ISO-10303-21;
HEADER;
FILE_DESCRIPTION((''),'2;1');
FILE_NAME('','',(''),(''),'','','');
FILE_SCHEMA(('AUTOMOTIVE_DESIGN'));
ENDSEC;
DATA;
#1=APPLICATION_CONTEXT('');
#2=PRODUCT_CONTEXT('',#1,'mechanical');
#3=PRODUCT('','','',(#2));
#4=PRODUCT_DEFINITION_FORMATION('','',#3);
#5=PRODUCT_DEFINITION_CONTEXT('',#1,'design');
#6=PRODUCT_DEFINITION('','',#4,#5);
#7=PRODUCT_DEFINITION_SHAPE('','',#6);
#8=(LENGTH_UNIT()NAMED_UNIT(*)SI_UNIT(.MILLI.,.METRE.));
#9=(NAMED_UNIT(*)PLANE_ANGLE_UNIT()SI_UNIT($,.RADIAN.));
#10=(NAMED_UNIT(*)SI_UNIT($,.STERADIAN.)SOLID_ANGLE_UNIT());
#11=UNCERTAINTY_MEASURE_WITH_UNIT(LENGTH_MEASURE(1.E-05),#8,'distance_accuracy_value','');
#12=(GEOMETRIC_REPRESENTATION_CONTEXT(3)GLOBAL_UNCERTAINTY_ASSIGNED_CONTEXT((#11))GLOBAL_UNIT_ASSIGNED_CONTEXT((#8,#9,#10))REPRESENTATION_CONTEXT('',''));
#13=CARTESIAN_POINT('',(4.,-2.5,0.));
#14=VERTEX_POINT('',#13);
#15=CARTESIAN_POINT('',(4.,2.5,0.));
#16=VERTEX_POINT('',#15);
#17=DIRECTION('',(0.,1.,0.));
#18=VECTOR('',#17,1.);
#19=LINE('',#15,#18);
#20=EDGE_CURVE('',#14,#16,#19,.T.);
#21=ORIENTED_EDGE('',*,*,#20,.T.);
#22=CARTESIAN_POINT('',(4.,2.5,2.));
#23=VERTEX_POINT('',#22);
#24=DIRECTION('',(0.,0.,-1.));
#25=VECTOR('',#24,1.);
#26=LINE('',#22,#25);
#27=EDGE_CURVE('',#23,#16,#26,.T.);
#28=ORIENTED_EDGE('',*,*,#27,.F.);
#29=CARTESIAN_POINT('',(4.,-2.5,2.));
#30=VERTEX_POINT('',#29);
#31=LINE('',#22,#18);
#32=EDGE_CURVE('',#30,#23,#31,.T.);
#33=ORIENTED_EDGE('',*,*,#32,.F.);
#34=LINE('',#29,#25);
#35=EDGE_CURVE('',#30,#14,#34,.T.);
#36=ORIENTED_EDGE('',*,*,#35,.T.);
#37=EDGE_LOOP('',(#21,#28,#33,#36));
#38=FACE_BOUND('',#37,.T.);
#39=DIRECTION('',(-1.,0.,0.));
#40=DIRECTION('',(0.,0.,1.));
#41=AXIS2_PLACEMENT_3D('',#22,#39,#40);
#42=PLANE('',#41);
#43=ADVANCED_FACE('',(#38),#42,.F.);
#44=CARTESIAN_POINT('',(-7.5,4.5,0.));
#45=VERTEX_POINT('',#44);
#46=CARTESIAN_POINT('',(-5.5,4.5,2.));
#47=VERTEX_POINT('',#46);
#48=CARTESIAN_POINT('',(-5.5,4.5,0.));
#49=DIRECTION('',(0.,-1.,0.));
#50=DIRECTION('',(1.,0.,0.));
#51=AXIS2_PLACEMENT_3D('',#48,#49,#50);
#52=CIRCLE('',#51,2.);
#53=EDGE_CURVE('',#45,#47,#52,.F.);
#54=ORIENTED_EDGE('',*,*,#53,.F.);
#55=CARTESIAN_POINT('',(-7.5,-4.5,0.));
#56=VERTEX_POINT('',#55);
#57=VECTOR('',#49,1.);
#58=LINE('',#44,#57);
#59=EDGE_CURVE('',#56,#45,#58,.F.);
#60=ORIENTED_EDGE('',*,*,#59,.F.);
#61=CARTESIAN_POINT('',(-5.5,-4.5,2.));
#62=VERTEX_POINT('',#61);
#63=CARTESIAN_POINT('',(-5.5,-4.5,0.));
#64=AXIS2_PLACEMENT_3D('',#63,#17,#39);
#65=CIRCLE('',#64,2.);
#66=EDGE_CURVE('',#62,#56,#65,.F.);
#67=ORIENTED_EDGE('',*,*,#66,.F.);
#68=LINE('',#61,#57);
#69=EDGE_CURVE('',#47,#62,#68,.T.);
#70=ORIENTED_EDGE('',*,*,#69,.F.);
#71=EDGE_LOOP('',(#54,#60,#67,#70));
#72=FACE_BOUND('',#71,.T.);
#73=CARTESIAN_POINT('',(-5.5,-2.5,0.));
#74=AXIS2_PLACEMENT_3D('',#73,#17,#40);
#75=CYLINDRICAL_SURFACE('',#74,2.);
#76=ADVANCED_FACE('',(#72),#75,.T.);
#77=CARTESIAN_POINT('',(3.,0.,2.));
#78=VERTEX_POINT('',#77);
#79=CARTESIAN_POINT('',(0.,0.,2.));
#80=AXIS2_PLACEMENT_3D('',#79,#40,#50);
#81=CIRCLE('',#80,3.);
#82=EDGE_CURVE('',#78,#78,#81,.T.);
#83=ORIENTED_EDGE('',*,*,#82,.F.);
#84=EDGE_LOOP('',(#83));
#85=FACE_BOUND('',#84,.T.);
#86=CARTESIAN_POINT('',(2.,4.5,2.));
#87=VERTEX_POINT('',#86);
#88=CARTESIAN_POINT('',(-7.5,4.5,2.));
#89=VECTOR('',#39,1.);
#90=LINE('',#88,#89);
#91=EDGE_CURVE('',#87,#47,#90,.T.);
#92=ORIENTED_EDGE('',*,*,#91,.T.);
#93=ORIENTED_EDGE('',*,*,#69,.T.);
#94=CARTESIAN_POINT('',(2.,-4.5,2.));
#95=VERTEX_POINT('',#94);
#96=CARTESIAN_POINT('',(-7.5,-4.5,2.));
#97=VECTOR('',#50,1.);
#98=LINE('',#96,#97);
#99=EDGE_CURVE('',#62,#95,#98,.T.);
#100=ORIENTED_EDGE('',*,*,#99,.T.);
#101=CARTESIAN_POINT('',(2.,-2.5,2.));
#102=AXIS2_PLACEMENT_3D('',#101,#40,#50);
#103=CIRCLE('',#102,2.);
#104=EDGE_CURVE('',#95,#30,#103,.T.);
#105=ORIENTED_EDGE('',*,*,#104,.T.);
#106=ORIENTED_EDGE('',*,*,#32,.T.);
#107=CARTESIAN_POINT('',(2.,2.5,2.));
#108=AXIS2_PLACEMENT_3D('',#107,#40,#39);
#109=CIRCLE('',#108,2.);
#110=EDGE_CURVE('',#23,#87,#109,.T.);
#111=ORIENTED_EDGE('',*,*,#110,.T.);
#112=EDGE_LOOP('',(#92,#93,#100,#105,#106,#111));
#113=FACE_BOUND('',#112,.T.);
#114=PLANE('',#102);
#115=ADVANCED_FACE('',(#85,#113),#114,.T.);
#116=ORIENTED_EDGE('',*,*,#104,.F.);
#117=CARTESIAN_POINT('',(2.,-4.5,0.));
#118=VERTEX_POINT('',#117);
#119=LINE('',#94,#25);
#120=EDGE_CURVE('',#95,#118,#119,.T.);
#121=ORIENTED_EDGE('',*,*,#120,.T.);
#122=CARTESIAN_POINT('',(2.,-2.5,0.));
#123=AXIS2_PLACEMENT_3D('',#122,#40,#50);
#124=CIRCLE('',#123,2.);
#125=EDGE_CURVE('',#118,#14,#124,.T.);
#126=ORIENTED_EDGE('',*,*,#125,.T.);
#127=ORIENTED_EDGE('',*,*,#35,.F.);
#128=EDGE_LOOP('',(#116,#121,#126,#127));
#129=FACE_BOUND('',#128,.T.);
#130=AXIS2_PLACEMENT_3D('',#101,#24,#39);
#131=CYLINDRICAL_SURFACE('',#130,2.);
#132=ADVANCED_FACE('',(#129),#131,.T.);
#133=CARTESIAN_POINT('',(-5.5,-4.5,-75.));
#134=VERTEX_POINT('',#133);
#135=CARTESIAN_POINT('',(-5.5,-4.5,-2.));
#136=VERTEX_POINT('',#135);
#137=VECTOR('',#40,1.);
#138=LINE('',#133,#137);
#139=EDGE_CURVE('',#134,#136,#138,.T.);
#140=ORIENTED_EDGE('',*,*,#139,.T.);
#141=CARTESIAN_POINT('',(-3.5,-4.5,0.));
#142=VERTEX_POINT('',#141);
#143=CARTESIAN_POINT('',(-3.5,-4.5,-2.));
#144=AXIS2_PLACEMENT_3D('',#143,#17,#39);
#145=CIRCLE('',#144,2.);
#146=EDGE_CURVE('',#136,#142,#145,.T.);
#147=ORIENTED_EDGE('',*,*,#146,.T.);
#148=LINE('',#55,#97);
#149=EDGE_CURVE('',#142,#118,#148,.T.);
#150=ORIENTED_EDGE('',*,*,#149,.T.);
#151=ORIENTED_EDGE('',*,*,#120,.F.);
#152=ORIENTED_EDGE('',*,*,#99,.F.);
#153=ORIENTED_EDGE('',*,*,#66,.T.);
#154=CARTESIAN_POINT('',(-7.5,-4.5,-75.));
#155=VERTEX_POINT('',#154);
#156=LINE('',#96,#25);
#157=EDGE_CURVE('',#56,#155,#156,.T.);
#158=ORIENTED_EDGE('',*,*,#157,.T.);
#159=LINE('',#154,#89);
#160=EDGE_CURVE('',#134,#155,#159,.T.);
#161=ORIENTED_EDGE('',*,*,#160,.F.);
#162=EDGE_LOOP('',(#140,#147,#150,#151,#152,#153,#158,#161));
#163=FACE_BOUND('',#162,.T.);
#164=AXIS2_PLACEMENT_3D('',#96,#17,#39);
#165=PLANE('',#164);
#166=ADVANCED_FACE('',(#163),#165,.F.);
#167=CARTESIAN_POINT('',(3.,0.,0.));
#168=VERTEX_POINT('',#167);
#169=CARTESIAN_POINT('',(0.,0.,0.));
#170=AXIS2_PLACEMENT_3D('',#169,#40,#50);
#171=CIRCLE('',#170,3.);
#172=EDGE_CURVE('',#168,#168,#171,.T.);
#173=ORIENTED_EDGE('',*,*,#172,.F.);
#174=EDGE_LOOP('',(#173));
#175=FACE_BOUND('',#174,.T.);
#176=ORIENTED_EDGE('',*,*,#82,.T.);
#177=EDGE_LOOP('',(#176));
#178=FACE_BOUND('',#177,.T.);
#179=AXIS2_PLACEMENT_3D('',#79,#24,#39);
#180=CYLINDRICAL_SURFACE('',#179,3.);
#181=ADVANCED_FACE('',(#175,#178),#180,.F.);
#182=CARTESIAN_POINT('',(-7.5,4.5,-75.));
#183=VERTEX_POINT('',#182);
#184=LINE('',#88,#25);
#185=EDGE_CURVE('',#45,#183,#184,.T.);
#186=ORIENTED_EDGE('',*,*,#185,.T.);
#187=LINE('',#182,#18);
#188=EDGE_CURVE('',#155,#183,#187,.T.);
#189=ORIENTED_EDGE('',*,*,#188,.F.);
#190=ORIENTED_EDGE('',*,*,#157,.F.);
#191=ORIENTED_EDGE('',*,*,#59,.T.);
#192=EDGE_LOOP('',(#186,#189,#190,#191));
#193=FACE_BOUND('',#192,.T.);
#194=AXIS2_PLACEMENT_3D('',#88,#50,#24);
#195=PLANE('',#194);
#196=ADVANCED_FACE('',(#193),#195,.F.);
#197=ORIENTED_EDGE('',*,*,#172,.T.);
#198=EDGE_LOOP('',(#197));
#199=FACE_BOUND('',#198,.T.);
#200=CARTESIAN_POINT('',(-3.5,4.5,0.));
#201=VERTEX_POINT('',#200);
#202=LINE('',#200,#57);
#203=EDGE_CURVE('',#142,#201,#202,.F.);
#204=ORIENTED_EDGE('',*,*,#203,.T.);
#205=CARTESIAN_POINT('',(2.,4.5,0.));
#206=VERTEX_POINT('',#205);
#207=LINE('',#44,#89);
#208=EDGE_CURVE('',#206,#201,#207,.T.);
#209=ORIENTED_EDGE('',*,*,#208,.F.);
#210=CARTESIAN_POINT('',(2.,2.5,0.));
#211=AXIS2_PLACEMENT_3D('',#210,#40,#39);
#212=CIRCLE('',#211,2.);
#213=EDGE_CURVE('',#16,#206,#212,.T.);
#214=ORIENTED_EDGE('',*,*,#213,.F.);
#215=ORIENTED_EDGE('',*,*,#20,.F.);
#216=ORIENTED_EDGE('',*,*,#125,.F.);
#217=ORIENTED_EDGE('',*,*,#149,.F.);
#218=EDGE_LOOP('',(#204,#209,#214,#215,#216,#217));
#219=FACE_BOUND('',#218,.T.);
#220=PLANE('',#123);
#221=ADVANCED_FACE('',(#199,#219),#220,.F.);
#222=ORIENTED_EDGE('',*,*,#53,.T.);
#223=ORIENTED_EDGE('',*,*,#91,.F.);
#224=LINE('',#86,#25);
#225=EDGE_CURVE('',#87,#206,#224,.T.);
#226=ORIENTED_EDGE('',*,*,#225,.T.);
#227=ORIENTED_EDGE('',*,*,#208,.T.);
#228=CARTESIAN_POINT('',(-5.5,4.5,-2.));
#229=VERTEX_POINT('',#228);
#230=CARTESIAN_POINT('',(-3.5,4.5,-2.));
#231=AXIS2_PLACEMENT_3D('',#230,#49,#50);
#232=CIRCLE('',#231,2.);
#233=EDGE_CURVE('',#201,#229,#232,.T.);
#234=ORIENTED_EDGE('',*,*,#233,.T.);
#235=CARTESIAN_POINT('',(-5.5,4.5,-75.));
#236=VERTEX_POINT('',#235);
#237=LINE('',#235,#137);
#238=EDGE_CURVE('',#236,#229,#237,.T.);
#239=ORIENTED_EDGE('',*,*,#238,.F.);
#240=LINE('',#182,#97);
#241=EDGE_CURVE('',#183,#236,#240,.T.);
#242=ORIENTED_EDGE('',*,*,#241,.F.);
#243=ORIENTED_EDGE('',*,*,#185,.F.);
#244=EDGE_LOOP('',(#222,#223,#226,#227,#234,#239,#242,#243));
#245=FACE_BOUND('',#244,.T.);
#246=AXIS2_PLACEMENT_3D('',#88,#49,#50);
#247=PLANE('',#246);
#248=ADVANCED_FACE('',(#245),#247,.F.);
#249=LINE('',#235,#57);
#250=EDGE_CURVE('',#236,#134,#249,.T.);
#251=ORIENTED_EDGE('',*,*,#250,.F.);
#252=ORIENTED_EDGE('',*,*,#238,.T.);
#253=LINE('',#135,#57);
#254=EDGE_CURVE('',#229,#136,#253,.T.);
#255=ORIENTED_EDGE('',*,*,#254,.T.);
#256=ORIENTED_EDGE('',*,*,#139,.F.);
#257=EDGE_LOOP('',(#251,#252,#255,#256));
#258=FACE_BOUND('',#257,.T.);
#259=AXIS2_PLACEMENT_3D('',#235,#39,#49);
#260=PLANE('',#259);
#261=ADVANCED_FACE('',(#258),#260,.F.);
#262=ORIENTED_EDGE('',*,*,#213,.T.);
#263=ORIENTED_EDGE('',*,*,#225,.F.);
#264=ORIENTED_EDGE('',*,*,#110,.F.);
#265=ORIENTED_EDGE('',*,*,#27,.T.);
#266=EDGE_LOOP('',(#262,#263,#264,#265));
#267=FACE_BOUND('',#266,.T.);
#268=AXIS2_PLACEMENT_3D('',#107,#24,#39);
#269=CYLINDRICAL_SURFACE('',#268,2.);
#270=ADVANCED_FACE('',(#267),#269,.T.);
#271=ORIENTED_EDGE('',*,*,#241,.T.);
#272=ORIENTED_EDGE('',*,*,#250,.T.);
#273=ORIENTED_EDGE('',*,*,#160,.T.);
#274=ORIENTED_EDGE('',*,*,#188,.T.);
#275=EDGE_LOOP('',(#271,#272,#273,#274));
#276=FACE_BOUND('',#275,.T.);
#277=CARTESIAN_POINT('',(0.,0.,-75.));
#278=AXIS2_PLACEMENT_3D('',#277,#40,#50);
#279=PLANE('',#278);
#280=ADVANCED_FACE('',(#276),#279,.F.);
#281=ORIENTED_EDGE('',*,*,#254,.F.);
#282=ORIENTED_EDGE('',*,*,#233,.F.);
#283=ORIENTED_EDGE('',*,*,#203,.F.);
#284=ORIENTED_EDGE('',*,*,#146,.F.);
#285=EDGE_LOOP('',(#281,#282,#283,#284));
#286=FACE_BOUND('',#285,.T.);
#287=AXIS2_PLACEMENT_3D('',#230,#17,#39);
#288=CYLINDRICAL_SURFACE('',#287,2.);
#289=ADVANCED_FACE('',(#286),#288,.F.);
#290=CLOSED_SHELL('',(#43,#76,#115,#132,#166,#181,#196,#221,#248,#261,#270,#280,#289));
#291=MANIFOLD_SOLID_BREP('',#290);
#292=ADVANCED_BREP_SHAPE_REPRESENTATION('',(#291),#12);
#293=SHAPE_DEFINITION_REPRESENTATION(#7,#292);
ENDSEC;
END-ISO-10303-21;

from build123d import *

# Parameters (mm, degrees)
SKETCH1_R           = 3
BOSS_EXTRUDE1_DEPTH = 2
SKETCH2_W           = 2
SKETCH2_H           = 9
BOSS_EXTRUDE2_DEPTH = 75
FILLET1_R           = 2


with BuildPart() as part:
    # Sketch1 → Boss-Extrude1 (new body)
    with BuildSketch(Plane.XY):
        with BuildLine():
            Line((-7.5, 4.5), (2, 4.5))
            ThreePointArc((2, 4.5), (3.414213562, 3.914213562), (4, 2.5))
            Line((4, 2.5), (4, -2.5))
            ThreePointArc((4, -2.5), (3.414213562, -3.914213562), (2, -4.5))
            Line((2, -4.5), (-7.5, -4.5))
            Line((-7.5, -4.5), (-7.5, 4.5))
        make_face()
        Circle(SKETCH1_R, mode=Mode.SUBTRACT)
    extrude(amount=BOSS_EXTRUDE1_DEPTH)

    # Sketch2 → Boss-Extrude2 (add)
    with BuildSketch(Plane(origin=(0, 0, 0), x_dir=(-1, 0, 0), z_dir=(0, 0, -1))):
        with Locations((6.5, 0)):
            Rectangle(SKETCH2_W, SKETCH2_H)
    extrude(amount=BOSS_EXTRUDE2_DEPTH)

    # Fillet1
    fillet1_edges = [part.edges().sort_by_distance(p)[0] for p in [
        (-5.5, 0, 0),
        (-7.5, 0, 2),
    ]]
    fillet(fillet1_edges, radius=FILLET1_R)


solid = part.part
